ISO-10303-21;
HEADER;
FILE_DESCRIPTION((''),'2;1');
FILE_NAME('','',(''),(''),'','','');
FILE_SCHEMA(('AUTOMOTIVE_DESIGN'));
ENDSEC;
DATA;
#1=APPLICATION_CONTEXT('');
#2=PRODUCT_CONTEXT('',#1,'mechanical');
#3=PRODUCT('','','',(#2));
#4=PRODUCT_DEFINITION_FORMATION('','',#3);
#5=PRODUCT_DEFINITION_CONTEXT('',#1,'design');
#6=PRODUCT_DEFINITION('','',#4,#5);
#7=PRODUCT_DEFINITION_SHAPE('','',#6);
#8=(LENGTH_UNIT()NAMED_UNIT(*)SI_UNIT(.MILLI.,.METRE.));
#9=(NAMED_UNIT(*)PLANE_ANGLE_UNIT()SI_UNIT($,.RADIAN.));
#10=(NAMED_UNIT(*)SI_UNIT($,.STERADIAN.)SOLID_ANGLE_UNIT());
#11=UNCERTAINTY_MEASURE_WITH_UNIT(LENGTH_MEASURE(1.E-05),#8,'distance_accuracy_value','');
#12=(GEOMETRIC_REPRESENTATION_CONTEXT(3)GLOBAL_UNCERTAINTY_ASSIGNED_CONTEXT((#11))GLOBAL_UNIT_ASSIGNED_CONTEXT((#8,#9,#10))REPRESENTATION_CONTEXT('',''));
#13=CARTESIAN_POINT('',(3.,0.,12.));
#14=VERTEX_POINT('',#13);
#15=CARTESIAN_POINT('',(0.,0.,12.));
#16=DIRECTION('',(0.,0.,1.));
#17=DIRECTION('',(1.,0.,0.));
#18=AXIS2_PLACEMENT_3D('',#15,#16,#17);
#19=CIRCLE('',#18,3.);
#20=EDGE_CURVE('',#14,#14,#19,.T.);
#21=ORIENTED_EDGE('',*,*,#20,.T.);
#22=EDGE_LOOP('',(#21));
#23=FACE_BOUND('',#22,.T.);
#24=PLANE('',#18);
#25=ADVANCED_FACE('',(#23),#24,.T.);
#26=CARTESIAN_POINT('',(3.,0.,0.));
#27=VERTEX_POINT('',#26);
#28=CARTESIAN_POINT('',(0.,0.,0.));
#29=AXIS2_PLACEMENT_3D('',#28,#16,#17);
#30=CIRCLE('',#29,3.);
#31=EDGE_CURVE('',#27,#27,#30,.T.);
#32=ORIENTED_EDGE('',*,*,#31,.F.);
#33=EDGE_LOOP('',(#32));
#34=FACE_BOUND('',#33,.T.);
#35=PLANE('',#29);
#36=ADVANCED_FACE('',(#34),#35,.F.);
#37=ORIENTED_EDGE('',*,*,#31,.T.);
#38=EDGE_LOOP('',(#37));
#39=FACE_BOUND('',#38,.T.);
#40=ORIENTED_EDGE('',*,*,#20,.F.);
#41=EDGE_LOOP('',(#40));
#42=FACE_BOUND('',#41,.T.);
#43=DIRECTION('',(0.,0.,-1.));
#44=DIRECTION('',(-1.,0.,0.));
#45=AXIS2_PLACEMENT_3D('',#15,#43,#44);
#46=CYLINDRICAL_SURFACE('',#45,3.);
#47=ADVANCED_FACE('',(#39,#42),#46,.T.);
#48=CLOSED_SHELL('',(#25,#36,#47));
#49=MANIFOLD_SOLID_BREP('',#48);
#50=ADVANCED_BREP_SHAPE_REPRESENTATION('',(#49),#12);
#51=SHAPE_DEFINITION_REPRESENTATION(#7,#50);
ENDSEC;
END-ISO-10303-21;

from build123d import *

# Parameters (mm, degrees)
SKETCH_1_R      = 3
EXTRUDE_1_DEPTH = 12


with BuildPart() as part:
    # 草图1 → 凸台-拉伸1 (new body)
    with BuildSketch(Plane.XY):
        Circle(SKETCH_1_R)
    extrude(amount=EXTRUDE_1_DEPTH)


solid = part.part
